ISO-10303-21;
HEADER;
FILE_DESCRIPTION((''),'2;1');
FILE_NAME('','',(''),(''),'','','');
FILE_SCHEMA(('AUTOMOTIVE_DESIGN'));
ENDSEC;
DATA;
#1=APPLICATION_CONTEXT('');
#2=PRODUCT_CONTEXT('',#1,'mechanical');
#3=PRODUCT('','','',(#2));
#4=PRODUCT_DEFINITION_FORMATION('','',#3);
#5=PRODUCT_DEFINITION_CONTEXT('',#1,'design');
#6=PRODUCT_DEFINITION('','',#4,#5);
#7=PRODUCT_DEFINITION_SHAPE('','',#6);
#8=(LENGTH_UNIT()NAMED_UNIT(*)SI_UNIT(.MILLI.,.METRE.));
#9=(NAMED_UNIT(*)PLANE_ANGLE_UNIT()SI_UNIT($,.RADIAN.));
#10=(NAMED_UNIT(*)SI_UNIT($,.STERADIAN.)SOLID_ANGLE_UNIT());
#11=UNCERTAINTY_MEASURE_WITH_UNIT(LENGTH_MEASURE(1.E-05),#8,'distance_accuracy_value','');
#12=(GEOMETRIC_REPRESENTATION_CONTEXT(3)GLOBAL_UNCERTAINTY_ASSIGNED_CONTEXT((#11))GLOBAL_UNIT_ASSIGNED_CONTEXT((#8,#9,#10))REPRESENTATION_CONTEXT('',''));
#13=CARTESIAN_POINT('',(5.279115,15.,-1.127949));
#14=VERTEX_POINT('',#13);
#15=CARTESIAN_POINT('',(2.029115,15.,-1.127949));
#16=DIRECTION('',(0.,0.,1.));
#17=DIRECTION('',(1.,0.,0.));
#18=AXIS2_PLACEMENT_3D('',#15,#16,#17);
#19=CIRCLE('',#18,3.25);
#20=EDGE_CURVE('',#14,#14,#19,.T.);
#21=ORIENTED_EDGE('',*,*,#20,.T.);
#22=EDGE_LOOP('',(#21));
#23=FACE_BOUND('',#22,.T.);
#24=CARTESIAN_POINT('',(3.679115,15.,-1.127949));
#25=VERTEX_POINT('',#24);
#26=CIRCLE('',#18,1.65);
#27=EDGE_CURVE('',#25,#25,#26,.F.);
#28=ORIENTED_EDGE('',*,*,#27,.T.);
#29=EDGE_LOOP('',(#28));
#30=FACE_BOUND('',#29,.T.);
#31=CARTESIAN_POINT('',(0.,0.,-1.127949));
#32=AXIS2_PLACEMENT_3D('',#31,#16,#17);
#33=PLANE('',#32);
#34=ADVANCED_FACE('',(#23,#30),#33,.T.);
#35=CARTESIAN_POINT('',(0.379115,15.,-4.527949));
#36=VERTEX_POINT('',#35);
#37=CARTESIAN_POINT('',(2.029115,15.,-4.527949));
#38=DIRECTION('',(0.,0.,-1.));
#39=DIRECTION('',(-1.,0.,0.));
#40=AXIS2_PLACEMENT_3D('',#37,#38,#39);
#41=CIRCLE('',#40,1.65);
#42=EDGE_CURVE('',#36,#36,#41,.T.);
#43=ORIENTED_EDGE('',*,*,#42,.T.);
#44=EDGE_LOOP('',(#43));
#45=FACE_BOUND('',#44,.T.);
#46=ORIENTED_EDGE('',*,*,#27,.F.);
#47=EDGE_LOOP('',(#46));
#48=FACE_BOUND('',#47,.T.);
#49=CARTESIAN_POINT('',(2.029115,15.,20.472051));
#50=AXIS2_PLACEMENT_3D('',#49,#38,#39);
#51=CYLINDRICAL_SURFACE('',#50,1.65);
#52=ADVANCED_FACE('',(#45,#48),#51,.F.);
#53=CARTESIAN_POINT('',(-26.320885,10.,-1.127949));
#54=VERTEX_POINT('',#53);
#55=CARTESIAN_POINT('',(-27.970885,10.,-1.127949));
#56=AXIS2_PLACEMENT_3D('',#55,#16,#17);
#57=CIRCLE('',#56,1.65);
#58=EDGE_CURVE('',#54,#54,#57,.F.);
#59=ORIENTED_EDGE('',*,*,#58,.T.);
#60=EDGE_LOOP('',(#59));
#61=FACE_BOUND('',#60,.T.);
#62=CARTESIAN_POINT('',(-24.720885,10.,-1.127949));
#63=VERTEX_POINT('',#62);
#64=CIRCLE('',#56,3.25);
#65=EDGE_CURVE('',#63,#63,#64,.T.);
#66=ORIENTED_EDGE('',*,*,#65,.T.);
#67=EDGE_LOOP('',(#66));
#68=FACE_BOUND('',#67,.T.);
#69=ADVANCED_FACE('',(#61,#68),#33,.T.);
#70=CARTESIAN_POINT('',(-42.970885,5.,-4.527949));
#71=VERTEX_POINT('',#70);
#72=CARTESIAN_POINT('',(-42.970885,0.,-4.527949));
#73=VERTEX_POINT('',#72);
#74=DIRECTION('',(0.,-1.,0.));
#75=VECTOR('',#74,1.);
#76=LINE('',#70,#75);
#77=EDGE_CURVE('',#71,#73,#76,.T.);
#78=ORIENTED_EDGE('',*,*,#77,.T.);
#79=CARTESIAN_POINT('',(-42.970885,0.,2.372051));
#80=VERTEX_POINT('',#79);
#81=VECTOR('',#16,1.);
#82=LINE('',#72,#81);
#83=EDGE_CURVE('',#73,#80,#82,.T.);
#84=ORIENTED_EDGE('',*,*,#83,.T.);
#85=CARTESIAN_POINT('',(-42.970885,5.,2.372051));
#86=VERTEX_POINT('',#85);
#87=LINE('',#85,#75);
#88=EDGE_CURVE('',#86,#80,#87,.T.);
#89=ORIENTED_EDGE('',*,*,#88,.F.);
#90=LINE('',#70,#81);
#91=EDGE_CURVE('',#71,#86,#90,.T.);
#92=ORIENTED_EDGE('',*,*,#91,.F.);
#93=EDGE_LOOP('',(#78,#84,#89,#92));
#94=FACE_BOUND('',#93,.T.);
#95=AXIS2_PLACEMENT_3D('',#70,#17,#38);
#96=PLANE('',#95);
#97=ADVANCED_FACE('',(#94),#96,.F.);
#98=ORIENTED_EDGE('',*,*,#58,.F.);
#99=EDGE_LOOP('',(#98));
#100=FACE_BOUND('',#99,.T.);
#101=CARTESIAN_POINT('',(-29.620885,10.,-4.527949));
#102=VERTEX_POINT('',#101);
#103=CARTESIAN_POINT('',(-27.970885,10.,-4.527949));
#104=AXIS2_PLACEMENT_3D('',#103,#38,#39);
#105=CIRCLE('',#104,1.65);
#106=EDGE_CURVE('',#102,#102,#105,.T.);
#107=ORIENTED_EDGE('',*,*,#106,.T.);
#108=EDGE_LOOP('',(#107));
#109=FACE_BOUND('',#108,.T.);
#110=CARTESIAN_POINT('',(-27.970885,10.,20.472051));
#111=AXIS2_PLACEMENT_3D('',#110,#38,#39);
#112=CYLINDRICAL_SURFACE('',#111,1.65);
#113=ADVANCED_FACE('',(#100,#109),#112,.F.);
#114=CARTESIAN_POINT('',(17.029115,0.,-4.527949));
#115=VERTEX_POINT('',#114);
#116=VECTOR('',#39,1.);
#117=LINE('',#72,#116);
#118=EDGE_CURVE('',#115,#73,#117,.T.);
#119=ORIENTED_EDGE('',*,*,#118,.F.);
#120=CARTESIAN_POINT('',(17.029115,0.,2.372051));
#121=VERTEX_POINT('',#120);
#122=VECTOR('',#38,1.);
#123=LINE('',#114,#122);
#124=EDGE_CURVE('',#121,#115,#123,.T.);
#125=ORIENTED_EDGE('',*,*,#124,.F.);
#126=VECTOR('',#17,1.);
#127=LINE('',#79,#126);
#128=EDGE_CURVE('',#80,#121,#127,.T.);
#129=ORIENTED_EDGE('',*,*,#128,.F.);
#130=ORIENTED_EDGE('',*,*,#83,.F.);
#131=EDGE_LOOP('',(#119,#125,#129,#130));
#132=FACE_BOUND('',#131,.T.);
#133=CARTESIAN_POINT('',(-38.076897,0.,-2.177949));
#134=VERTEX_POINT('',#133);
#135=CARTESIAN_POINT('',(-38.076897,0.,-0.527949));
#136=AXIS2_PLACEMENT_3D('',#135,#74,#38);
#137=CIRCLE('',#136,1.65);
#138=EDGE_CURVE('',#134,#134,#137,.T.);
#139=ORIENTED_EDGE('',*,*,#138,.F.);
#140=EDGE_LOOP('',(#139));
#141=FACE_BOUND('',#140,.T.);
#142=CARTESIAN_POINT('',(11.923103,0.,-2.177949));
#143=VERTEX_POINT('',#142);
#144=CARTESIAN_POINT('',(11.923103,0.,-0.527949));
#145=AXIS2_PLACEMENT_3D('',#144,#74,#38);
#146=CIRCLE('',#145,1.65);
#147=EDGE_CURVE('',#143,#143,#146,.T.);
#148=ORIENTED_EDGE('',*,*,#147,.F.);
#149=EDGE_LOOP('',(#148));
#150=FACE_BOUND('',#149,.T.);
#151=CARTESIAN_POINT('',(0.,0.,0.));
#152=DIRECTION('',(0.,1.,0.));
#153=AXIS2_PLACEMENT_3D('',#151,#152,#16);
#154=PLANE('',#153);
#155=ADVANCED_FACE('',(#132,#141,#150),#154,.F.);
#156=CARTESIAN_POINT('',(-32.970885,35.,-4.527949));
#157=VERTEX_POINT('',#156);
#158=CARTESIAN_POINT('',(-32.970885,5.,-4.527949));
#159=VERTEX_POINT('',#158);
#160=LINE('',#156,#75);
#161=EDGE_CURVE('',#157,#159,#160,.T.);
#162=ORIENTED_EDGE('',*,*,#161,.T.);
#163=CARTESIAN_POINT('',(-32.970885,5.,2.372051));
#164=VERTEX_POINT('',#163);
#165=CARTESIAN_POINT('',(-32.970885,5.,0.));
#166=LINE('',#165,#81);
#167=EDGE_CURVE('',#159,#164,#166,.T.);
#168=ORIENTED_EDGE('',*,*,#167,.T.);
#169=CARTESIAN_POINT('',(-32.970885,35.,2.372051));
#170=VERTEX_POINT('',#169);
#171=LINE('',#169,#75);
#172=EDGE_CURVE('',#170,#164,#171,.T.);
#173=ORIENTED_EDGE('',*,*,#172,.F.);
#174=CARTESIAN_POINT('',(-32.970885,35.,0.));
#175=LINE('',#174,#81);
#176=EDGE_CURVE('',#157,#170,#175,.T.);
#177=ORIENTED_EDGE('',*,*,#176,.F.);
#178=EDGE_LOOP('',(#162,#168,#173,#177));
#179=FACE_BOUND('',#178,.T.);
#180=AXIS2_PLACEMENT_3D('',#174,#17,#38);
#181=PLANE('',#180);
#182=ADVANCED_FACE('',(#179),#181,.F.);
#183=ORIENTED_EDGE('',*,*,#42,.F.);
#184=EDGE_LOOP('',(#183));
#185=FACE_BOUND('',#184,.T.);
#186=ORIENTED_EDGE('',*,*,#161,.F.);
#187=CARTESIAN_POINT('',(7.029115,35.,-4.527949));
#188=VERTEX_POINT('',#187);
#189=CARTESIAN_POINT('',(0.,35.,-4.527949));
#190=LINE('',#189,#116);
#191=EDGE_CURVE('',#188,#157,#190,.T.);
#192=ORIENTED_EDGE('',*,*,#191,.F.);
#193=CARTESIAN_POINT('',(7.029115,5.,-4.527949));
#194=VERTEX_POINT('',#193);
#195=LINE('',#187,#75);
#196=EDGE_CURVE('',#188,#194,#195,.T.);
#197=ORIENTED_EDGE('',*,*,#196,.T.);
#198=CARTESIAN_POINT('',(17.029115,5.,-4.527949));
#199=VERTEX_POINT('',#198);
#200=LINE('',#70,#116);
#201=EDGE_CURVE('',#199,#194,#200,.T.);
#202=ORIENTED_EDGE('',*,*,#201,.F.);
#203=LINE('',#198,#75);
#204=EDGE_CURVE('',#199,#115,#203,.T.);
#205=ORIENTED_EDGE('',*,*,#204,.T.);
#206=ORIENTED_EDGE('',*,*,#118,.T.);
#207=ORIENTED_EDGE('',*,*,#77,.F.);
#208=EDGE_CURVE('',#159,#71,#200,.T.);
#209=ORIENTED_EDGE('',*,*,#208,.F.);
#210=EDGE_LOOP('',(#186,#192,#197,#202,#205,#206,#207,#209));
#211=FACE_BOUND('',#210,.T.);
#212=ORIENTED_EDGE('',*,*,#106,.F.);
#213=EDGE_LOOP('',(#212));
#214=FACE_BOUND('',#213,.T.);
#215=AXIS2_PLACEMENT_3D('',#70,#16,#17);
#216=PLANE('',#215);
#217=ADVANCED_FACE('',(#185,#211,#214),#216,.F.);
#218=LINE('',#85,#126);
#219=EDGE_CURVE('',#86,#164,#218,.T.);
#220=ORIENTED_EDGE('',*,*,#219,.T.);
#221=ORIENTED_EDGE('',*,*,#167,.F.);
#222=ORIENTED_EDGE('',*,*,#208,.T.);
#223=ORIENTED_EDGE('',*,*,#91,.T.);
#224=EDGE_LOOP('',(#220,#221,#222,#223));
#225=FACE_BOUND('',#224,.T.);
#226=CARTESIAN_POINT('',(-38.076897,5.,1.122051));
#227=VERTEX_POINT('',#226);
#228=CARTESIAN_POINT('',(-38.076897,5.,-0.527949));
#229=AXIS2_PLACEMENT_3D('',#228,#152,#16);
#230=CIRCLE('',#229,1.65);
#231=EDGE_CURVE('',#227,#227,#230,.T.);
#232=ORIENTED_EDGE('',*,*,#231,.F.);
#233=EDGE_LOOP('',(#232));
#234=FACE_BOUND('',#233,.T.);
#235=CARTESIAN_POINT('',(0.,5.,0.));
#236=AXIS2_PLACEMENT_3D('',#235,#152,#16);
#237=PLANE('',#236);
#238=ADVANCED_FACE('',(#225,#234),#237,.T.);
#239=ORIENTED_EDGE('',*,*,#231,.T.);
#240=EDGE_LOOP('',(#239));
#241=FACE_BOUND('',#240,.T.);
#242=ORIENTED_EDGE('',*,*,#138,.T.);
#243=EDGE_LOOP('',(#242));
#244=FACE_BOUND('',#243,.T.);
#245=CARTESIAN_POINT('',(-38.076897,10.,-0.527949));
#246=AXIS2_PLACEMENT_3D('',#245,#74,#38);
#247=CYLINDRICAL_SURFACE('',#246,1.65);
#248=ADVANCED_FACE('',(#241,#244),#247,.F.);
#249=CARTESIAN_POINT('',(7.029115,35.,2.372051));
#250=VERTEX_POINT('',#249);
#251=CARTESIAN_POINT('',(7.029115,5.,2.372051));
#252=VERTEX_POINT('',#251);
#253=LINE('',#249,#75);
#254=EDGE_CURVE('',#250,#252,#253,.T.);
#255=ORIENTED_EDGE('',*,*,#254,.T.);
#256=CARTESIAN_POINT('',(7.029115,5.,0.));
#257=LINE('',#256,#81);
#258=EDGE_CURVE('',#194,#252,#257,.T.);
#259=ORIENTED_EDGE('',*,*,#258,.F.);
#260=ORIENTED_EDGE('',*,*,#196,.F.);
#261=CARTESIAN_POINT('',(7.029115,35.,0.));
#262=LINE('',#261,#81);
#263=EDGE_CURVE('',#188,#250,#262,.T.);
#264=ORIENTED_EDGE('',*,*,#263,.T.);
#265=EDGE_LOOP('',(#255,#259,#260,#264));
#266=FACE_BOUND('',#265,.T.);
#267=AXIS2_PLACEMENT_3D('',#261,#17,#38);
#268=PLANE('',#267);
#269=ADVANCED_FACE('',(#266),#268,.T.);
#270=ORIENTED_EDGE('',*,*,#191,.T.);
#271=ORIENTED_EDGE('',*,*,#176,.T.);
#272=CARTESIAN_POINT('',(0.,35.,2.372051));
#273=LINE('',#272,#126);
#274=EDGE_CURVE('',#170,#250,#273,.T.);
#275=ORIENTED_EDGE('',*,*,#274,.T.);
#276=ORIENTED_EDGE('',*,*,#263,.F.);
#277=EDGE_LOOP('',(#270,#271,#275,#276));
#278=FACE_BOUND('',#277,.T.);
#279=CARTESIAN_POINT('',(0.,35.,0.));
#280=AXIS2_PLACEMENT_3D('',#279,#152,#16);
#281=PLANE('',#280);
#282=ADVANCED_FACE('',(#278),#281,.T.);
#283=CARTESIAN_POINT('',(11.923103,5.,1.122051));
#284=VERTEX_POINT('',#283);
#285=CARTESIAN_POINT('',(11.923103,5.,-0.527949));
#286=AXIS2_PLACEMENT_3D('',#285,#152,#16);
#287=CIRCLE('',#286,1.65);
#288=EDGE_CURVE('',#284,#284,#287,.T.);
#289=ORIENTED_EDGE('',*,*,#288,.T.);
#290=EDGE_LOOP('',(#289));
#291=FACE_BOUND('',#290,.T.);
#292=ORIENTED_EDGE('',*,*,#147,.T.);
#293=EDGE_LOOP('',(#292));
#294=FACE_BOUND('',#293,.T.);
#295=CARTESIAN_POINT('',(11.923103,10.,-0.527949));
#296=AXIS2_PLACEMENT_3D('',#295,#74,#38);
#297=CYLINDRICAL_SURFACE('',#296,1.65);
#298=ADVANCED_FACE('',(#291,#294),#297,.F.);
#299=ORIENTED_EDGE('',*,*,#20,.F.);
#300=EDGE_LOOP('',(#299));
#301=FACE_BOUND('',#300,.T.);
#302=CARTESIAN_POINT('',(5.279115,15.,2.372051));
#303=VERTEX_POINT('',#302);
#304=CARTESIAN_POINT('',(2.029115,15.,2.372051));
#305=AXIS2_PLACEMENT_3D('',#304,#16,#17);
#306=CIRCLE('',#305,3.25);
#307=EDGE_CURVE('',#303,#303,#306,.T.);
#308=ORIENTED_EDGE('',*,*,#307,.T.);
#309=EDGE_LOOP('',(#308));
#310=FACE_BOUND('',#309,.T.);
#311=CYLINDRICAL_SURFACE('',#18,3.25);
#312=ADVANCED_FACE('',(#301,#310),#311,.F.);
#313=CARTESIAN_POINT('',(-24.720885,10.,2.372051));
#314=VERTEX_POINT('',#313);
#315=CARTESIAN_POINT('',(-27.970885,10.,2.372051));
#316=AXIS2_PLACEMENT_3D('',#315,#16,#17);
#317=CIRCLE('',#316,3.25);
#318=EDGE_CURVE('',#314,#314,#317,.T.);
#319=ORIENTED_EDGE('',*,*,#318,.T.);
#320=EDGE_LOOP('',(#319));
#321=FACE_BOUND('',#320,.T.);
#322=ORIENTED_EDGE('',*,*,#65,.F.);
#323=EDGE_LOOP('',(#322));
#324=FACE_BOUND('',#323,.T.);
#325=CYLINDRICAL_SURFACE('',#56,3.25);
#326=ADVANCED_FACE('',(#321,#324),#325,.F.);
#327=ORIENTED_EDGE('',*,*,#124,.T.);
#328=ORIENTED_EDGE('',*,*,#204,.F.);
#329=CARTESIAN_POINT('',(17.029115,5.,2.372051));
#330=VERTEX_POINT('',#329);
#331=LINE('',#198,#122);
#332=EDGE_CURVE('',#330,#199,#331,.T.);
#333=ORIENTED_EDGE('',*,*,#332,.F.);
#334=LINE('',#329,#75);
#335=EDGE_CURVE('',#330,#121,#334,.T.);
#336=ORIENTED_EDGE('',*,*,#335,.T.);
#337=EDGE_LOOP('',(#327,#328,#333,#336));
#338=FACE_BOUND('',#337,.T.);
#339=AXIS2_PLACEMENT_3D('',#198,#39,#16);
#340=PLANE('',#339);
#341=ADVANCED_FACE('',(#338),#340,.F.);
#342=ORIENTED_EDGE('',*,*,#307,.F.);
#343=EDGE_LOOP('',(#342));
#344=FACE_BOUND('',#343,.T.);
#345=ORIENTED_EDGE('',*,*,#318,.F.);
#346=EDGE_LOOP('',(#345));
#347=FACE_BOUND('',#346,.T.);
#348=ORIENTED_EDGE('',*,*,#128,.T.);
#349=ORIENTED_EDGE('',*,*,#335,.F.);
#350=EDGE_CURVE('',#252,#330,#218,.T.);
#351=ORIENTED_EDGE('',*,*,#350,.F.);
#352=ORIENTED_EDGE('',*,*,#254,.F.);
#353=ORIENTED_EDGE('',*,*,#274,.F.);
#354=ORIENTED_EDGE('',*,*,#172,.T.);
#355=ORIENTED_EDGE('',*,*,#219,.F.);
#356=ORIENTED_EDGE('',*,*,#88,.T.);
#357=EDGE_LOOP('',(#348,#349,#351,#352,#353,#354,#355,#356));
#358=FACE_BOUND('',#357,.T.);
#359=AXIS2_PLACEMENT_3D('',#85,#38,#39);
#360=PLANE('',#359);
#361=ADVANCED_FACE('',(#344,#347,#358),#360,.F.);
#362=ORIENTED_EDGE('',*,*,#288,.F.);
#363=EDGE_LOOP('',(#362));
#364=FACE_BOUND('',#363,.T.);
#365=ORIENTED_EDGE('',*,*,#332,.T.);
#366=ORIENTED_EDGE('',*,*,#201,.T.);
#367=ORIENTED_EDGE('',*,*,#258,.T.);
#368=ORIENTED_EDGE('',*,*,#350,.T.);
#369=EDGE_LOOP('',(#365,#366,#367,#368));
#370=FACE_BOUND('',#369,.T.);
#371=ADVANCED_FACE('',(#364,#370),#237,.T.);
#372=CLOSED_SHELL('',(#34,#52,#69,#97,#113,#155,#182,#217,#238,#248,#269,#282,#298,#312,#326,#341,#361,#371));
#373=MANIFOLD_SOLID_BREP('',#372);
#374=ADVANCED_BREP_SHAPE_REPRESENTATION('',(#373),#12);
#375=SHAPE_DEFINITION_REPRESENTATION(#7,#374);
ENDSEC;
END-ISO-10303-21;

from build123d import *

# Parameters (mm, degrees)
SKETCH_1_W          = 60
SKETCH_1_H          = 6.9
EXTRUDE_1_DEPTH     = 5
SKETCH_2_R          = 1.65
CUT_EXTRUDE_1_DEPTH = 10
SKETCH_3_W          = 40
SKETCH_3_H          = 6.9
EXTRUDE_2_DEPTH     = 30
SKETCH_5_R          = 1.65
CUT_EXTRUDE_2_DEPTH = 25
CUT_EXTRUDE_START   = -3.5
SKETCH_6_R          = 3.25
SKETCH_6_R_2        = 1.65
CUT_EXTRUDE_3_DEPTH = 3.5


with BuildPart() as part:
    # 草图1 → 凸台-拉伸1 (new body)
    with BuildSketch(Plane(origin=(0, 0, 0), x_dir=(1, 0, 0), z_dir=(0, 1, 0))):
        with Locations((-12.970884588, 1.077948994)):
            Rectangle(SKETCH_1_W, SKETCH_1_H)
    extrude(amount=EXTRUDE_1_DEPTH)

    # 草图2 → 切除-拉伸1 (cut)
    with BuildSketch(Plane.XZ):
        with Locations(Location((11.923103363, -0.527948994, 0), (0, 0, 270))):
            Circle(SKETCH_2_R)
        with Locations(Location((-38.076896637, -0.527948994, 0), (0, 0, 270))):
            Circle(SKETCH_2_R)
    extrude(amount=-CUT_EXTRUDE_1_DEPTH, mode=Mode.SUBTRACT)

    # 草图3 → 凸台-拉伸2 (add)
    with BuildSketch(Plane(origin=(0, 5, 0), x_dir=(1, 0, 0), z_dir=(0, 1, 0))):
        with Locations((-12.970884588, 1.077948994)):
            Rectangle(SKETCH_3_W, SKETCH_3_H)
    extrude(amount=EXTRUDE_2_DEPTH)

    # 草图5 → 切除-拉伸2 (cut)
    with BuildSketch(Plane(origin=(0, 0, -4.527948994), x_dir=(-1, 0, 0), z_dir=(0, 0, -1))):
        with Locations((27.970884588, 10)):
            Circle(SKETCH_5_R)
        with Locations((-2.029115412, 15)):
            Circle(SKETCH_5_R)
    extrude(amount=-CUT_EXTRUDE_2_DEPTH, mode=Mode.SUBTRACT)

    # 草图6 → 切除-拉伸3 (cut)
    # profile 1 of 2: a face of its own
    with BuildSketch(Plane.XY.offset(2.372051006).offset(CUT_EXTRUDE_START)):
        with Locations((-27.970884588, 10)):
            Circle(SKETCH_6_R)
        with Locations(Location((-27.970884588, 10, 0), (0, 0, 180))):
            Circle(SKETCH_6_R_2, mode=Mode.SUBTRACT)
    # profile 2 of 2: a face of its own
    with BuildSketch(Plane.XY.offset(2.372051006).offset(CUT_EXTRUDE_START)):
        with Locations((2.029115412, 15)):
            Circle(SKETCH_6_R)
        with Locations(Location((2.029115412, 15, 0), (0, 0, 180))):
            Circle(SKETCH_6_R_2, mode=Mode.SUBTRACT)
    extrude(amount=CUT_EXTRUDE_3_DEPTH, mode=Mode.SUBTRACT)


solid = part.part
